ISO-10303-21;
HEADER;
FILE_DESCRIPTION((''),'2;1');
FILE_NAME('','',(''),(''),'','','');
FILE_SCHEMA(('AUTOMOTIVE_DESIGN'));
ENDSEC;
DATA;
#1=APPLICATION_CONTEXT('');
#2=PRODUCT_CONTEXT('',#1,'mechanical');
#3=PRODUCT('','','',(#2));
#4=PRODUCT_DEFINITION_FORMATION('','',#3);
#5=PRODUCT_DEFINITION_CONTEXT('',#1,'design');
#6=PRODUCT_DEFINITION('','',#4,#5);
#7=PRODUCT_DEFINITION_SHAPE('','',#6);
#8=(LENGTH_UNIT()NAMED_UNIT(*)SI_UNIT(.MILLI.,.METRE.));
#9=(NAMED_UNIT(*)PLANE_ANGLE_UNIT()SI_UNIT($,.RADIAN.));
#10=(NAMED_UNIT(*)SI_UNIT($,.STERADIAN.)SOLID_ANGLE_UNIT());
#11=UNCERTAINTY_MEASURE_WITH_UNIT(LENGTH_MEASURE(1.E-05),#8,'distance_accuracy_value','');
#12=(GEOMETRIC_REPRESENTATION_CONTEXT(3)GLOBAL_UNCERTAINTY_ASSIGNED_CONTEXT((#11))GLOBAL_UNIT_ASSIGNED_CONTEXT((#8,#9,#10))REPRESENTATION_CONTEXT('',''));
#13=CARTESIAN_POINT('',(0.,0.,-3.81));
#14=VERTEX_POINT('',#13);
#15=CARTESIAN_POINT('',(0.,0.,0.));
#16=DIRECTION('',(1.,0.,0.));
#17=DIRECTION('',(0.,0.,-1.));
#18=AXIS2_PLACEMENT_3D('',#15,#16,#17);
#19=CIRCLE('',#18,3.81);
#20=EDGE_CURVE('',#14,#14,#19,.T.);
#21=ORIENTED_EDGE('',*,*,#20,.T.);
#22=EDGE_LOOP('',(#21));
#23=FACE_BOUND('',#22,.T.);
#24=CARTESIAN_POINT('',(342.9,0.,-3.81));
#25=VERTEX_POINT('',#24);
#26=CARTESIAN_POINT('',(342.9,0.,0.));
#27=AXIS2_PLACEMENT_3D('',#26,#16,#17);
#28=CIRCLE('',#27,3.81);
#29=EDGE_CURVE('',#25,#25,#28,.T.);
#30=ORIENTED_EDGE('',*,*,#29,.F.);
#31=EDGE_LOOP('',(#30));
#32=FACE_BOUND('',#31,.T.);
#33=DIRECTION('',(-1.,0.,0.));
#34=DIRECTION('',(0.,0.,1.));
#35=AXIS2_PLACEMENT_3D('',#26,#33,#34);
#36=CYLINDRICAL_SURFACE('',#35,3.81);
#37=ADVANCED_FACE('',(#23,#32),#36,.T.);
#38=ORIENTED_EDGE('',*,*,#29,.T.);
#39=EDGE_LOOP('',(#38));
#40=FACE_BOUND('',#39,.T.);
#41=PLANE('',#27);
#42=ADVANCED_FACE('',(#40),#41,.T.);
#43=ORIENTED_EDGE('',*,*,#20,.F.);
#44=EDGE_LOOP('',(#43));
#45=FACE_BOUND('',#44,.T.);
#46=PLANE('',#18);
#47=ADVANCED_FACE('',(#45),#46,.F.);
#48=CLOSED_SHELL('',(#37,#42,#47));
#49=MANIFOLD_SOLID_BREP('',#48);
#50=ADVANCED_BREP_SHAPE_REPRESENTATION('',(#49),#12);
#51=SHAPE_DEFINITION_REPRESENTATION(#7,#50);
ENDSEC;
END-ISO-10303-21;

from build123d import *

# Parameters (mm, degrees)
SKETCH1_R           = 3.81
BOSS_EXTRUDE1_DEPTH = 342.9


with BuildPart() as part:
    # Sketch1 → Boss-Extrude1 (new body)
    with BuildSketch(Plane(origin=(0, 0, 0), x_dir=(0, 0, -1), z_dir=(1, 0, 0))):
        Circle(SKETCH1_R)
    extrude(amount=BOSS_EXTRUDE1_DEPTH)


solid = part.part
